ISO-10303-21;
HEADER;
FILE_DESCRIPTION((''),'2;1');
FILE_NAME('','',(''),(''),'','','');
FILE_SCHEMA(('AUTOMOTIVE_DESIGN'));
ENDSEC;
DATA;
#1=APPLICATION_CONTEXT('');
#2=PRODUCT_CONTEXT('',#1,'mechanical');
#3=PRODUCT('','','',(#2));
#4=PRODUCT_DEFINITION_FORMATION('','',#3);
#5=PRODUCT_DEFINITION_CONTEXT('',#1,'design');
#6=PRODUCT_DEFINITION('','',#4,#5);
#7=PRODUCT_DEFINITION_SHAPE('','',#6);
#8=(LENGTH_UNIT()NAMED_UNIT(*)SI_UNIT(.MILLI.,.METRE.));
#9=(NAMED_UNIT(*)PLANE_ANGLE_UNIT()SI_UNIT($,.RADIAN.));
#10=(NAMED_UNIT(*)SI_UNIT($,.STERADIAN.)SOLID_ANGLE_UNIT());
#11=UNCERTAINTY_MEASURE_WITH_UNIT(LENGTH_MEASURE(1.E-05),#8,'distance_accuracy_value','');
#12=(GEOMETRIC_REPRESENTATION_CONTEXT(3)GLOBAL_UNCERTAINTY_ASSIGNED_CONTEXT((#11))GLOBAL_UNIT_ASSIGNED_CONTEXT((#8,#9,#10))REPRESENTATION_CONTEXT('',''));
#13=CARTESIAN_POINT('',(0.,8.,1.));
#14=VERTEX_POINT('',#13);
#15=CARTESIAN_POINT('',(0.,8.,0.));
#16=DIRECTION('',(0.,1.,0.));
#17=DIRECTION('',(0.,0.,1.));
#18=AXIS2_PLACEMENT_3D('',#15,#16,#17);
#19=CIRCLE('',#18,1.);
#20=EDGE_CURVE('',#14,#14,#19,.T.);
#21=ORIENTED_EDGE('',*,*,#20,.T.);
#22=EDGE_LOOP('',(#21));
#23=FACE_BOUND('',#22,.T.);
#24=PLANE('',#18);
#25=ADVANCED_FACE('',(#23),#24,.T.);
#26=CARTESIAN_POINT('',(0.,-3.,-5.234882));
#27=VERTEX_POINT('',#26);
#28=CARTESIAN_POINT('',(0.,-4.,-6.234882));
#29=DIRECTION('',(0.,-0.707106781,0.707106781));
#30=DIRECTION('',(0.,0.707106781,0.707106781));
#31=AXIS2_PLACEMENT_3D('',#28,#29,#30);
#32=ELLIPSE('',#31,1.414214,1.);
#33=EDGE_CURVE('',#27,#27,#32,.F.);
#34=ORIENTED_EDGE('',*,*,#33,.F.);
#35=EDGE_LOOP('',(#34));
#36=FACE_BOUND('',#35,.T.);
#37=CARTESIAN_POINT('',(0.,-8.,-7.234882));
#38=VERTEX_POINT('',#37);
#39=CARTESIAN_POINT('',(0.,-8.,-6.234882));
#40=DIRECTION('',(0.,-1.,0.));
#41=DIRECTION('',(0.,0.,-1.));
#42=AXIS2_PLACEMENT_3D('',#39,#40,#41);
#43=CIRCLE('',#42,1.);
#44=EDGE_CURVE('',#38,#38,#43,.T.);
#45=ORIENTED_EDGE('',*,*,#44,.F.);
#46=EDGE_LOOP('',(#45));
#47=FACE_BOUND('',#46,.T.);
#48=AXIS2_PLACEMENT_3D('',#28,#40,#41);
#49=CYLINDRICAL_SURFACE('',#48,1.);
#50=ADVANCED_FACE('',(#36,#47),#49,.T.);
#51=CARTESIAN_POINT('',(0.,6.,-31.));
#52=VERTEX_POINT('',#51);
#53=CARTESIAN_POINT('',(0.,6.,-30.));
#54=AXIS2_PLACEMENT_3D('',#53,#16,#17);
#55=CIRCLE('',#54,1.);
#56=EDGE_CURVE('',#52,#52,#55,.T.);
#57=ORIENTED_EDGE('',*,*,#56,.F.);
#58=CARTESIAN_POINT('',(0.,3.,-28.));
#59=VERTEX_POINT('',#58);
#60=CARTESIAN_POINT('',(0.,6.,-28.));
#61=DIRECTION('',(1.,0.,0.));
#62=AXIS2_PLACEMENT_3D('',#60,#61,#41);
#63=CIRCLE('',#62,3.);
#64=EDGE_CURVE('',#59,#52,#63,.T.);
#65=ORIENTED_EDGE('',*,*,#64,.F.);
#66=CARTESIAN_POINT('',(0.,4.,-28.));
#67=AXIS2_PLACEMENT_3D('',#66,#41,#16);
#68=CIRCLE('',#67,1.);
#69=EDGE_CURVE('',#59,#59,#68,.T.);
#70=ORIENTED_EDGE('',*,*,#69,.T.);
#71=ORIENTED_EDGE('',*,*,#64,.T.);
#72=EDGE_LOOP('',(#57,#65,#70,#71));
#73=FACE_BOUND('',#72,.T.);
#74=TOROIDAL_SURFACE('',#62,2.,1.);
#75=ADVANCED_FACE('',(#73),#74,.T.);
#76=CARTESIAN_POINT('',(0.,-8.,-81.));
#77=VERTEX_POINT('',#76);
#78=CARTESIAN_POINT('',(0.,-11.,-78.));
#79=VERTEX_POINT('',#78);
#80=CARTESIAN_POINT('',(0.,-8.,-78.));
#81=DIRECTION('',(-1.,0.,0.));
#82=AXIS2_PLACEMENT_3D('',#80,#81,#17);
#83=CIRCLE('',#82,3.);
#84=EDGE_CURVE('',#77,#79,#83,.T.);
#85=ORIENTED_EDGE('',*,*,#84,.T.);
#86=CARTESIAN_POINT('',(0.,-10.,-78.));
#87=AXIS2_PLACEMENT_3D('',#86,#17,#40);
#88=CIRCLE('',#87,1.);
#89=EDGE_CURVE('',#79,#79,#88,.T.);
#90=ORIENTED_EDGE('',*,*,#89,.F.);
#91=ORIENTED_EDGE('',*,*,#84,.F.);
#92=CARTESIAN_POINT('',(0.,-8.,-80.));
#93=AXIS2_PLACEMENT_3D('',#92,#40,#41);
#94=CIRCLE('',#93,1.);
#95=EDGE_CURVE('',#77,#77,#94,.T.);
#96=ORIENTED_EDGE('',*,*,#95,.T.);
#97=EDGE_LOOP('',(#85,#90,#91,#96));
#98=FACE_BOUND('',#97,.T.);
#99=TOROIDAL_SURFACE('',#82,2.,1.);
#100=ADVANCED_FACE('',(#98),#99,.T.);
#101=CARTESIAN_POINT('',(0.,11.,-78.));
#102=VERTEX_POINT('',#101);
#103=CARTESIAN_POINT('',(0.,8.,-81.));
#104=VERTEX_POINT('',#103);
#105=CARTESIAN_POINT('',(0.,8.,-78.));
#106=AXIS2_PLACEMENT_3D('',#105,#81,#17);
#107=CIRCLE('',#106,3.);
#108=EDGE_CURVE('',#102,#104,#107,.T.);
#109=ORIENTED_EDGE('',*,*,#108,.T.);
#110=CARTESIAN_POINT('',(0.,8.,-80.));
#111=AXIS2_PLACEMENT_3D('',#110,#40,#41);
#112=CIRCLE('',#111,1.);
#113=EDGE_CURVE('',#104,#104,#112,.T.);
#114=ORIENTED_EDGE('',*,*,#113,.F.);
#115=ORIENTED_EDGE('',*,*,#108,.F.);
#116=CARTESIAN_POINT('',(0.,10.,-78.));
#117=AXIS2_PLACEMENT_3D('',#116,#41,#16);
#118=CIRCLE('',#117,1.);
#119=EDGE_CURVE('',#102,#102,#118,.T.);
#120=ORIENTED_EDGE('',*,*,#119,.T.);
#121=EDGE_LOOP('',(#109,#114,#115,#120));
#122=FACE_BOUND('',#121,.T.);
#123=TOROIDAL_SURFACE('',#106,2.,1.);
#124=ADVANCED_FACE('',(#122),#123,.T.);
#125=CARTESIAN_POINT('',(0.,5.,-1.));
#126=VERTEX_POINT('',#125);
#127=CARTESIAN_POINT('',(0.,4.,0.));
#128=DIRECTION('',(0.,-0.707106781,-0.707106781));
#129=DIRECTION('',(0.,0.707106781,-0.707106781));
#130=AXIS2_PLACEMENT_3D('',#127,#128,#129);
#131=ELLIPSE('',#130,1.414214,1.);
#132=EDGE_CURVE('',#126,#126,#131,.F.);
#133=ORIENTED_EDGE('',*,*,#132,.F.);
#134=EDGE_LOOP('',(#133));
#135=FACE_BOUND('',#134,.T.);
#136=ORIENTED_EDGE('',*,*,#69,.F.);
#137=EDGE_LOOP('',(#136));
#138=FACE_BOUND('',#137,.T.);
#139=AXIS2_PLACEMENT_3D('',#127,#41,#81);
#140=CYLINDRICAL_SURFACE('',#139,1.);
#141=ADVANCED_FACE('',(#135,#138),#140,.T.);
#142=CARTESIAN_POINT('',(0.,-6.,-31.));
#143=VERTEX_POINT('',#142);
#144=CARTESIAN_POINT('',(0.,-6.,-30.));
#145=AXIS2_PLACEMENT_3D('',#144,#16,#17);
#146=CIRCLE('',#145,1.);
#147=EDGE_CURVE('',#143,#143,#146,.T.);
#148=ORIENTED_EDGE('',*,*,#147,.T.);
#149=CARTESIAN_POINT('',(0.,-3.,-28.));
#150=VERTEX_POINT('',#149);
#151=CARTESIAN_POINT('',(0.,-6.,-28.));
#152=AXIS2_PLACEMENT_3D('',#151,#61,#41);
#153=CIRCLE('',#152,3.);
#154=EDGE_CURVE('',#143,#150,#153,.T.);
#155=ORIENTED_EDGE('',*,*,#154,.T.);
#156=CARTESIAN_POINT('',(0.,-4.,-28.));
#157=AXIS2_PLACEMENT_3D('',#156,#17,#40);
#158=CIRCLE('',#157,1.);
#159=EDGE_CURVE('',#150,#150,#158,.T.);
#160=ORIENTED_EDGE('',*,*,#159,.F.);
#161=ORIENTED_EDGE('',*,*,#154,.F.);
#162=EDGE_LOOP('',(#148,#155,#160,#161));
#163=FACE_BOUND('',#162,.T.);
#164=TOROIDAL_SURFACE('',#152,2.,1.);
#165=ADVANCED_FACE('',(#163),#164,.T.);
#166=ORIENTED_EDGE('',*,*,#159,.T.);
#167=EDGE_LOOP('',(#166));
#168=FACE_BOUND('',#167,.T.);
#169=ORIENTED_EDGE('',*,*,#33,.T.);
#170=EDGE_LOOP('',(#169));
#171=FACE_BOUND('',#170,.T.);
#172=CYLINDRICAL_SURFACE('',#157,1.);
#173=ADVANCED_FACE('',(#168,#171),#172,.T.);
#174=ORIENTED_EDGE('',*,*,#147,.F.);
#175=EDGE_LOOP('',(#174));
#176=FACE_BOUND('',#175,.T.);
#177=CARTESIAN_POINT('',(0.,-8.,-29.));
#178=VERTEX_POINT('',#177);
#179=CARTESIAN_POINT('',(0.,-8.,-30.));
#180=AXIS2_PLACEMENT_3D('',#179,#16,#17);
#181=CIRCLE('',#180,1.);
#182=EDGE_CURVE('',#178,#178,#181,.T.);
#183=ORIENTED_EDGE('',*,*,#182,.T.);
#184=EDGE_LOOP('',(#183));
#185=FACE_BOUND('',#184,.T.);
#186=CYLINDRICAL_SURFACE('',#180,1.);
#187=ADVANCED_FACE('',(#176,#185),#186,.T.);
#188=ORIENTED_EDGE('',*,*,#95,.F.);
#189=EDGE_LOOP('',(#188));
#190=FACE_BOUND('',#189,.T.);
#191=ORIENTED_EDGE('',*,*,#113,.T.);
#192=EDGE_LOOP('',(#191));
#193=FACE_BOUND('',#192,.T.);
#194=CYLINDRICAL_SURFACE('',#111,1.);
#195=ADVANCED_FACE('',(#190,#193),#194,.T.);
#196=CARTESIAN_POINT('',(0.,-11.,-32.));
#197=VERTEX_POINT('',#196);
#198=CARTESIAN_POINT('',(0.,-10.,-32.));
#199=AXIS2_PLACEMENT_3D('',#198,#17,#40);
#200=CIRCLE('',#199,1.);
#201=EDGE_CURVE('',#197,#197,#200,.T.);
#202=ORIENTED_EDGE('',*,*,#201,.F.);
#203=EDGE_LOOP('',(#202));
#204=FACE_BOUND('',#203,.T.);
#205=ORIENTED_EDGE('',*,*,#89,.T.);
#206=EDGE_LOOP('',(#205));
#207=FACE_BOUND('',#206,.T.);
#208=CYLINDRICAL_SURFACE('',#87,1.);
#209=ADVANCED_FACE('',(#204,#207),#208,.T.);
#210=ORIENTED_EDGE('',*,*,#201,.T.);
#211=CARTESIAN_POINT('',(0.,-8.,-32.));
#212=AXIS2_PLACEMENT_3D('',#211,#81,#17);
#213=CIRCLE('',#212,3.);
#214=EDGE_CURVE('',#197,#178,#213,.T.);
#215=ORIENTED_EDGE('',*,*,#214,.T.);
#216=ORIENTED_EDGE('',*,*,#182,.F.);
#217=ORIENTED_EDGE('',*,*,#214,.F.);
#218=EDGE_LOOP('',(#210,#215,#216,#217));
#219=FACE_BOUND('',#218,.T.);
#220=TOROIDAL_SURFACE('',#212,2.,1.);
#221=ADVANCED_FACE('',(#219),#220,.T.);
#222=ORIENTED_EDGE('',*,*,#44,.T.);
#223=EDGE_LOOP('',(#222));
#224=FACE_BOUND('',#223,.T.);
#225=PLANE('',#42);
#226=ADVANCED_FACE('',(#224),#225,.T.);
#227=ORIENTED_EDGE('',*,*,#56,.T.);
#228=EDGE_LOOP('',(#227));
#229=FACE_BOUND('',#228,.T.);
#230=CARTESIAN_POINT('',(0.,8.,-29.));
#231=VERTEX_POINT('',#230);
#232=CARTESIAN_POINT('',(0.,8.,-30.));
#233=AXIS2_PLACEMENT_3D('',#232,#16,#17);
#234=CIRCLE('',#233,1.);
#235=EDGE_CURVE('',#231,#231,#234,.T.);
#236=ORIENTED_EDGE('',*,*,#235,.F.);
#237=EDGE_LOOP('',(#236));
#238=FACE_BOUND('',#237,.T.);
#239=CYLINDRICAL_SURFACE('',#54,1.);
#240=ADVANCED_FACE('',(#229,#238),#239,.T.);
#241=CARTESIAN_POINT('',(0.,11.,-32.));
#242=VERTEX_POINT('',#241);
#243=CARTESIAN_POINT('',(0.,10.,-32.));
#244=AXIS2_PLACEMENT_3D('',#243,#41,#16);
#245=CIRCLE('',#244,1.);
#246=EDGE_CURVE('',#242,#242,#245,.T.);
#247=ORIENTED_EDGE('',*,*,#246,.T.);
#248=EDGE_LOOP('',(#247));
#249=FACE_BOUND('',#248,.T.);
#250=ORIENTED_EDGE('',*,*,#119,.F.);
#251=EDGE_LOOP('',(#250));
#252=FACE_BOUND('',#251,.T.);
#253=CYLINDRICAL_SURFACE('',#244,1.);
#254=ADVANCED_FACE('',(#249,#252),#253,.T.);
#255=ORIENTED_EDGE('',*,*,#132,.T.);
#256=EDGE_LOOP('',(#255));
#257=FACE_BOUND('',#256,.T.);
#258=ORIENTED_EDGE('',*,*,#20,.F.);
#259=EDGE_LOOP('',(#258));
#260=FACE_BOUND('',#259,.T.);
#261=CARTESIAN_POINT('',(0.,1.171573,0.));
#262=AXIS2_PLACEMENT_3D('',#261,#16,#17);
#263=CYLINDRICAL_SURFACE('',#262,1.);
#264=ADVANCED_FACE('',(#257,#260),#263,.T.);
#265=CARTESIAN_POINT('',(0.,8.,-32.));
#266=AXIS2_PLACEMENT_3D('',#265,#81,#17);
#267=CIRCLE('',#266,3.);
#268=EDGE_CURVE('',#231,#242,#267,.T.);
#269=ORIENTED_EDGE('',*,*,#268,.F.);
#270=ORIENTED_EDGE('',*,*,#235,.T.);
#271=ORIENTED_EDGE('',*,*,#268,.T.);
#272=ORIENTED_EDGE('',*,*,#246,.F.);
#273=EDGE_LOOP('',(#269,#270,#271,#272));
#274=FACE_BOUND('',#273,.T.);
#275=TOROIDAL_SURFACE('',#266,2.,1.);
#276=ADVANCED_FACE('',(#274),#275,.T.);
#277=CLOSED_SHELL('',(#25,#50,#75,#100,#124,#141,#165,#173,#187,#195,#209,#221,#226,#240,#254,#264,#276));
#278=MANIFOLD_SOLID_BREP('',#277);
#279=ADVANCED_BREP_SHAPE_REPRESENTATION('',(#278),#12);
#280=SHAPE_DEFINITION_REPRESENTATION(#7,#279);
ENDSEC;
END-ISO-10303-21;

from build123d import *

# Parameters (mm, degrees)
SKIZZE5_R = 1


with BuildPart() as part:
    # Austragung1: sweep along a path in Skizze1
    with BuildLine(Plane(origin=(0, 0, 0), x_dir=(0, 0, -1), z_dir=(1, 0, 0))) as austragung1_path:
        Line((0, 8), (0, 4))
        Line((0, 4), (28, 4))
        ThreePointArc((28, 4), (29.414213562, 4.585786438), (30, 6))
        Line((30, 6), (30, 8))
        ThreePointArc((30, 8), (30.585786438, 9.414213562), (32, 10))
        Line((32, 10), (78, 10))
        ThreePointArc((78, 10), (79.414213562, 9.414213562), (80, 8))
        Line((80, 8), (80, -8))
        ThreePointArc((80, -8), (79.414213562, -9.414213562), (78, -10))
        Line((78, -10), (32, -10))
        ThreePointArc((32, -10), (30.585786438, -9.414213562), (30, -8))
        Line((30, -8), (30, -6))
        ThreePointArc((30, -6), (29.414213562, -4.585786438), (28, -4))
        Line((28, -4), (6.234882435, -4))
        Line((6.234882435, -4), (6.234882435, -8))
    # Skizze5 → Austragung1 (sweep)
    with BuildSketch(Plane(origin=(0, 8, 0), x_dir=(1, 0, 0), z_dir=(0, 1, 0))):
        Circle(SKIZZE5_R)
    sweep(path=austragung1_path.line, transition=Transition.RIGHT)


solid = part.part
